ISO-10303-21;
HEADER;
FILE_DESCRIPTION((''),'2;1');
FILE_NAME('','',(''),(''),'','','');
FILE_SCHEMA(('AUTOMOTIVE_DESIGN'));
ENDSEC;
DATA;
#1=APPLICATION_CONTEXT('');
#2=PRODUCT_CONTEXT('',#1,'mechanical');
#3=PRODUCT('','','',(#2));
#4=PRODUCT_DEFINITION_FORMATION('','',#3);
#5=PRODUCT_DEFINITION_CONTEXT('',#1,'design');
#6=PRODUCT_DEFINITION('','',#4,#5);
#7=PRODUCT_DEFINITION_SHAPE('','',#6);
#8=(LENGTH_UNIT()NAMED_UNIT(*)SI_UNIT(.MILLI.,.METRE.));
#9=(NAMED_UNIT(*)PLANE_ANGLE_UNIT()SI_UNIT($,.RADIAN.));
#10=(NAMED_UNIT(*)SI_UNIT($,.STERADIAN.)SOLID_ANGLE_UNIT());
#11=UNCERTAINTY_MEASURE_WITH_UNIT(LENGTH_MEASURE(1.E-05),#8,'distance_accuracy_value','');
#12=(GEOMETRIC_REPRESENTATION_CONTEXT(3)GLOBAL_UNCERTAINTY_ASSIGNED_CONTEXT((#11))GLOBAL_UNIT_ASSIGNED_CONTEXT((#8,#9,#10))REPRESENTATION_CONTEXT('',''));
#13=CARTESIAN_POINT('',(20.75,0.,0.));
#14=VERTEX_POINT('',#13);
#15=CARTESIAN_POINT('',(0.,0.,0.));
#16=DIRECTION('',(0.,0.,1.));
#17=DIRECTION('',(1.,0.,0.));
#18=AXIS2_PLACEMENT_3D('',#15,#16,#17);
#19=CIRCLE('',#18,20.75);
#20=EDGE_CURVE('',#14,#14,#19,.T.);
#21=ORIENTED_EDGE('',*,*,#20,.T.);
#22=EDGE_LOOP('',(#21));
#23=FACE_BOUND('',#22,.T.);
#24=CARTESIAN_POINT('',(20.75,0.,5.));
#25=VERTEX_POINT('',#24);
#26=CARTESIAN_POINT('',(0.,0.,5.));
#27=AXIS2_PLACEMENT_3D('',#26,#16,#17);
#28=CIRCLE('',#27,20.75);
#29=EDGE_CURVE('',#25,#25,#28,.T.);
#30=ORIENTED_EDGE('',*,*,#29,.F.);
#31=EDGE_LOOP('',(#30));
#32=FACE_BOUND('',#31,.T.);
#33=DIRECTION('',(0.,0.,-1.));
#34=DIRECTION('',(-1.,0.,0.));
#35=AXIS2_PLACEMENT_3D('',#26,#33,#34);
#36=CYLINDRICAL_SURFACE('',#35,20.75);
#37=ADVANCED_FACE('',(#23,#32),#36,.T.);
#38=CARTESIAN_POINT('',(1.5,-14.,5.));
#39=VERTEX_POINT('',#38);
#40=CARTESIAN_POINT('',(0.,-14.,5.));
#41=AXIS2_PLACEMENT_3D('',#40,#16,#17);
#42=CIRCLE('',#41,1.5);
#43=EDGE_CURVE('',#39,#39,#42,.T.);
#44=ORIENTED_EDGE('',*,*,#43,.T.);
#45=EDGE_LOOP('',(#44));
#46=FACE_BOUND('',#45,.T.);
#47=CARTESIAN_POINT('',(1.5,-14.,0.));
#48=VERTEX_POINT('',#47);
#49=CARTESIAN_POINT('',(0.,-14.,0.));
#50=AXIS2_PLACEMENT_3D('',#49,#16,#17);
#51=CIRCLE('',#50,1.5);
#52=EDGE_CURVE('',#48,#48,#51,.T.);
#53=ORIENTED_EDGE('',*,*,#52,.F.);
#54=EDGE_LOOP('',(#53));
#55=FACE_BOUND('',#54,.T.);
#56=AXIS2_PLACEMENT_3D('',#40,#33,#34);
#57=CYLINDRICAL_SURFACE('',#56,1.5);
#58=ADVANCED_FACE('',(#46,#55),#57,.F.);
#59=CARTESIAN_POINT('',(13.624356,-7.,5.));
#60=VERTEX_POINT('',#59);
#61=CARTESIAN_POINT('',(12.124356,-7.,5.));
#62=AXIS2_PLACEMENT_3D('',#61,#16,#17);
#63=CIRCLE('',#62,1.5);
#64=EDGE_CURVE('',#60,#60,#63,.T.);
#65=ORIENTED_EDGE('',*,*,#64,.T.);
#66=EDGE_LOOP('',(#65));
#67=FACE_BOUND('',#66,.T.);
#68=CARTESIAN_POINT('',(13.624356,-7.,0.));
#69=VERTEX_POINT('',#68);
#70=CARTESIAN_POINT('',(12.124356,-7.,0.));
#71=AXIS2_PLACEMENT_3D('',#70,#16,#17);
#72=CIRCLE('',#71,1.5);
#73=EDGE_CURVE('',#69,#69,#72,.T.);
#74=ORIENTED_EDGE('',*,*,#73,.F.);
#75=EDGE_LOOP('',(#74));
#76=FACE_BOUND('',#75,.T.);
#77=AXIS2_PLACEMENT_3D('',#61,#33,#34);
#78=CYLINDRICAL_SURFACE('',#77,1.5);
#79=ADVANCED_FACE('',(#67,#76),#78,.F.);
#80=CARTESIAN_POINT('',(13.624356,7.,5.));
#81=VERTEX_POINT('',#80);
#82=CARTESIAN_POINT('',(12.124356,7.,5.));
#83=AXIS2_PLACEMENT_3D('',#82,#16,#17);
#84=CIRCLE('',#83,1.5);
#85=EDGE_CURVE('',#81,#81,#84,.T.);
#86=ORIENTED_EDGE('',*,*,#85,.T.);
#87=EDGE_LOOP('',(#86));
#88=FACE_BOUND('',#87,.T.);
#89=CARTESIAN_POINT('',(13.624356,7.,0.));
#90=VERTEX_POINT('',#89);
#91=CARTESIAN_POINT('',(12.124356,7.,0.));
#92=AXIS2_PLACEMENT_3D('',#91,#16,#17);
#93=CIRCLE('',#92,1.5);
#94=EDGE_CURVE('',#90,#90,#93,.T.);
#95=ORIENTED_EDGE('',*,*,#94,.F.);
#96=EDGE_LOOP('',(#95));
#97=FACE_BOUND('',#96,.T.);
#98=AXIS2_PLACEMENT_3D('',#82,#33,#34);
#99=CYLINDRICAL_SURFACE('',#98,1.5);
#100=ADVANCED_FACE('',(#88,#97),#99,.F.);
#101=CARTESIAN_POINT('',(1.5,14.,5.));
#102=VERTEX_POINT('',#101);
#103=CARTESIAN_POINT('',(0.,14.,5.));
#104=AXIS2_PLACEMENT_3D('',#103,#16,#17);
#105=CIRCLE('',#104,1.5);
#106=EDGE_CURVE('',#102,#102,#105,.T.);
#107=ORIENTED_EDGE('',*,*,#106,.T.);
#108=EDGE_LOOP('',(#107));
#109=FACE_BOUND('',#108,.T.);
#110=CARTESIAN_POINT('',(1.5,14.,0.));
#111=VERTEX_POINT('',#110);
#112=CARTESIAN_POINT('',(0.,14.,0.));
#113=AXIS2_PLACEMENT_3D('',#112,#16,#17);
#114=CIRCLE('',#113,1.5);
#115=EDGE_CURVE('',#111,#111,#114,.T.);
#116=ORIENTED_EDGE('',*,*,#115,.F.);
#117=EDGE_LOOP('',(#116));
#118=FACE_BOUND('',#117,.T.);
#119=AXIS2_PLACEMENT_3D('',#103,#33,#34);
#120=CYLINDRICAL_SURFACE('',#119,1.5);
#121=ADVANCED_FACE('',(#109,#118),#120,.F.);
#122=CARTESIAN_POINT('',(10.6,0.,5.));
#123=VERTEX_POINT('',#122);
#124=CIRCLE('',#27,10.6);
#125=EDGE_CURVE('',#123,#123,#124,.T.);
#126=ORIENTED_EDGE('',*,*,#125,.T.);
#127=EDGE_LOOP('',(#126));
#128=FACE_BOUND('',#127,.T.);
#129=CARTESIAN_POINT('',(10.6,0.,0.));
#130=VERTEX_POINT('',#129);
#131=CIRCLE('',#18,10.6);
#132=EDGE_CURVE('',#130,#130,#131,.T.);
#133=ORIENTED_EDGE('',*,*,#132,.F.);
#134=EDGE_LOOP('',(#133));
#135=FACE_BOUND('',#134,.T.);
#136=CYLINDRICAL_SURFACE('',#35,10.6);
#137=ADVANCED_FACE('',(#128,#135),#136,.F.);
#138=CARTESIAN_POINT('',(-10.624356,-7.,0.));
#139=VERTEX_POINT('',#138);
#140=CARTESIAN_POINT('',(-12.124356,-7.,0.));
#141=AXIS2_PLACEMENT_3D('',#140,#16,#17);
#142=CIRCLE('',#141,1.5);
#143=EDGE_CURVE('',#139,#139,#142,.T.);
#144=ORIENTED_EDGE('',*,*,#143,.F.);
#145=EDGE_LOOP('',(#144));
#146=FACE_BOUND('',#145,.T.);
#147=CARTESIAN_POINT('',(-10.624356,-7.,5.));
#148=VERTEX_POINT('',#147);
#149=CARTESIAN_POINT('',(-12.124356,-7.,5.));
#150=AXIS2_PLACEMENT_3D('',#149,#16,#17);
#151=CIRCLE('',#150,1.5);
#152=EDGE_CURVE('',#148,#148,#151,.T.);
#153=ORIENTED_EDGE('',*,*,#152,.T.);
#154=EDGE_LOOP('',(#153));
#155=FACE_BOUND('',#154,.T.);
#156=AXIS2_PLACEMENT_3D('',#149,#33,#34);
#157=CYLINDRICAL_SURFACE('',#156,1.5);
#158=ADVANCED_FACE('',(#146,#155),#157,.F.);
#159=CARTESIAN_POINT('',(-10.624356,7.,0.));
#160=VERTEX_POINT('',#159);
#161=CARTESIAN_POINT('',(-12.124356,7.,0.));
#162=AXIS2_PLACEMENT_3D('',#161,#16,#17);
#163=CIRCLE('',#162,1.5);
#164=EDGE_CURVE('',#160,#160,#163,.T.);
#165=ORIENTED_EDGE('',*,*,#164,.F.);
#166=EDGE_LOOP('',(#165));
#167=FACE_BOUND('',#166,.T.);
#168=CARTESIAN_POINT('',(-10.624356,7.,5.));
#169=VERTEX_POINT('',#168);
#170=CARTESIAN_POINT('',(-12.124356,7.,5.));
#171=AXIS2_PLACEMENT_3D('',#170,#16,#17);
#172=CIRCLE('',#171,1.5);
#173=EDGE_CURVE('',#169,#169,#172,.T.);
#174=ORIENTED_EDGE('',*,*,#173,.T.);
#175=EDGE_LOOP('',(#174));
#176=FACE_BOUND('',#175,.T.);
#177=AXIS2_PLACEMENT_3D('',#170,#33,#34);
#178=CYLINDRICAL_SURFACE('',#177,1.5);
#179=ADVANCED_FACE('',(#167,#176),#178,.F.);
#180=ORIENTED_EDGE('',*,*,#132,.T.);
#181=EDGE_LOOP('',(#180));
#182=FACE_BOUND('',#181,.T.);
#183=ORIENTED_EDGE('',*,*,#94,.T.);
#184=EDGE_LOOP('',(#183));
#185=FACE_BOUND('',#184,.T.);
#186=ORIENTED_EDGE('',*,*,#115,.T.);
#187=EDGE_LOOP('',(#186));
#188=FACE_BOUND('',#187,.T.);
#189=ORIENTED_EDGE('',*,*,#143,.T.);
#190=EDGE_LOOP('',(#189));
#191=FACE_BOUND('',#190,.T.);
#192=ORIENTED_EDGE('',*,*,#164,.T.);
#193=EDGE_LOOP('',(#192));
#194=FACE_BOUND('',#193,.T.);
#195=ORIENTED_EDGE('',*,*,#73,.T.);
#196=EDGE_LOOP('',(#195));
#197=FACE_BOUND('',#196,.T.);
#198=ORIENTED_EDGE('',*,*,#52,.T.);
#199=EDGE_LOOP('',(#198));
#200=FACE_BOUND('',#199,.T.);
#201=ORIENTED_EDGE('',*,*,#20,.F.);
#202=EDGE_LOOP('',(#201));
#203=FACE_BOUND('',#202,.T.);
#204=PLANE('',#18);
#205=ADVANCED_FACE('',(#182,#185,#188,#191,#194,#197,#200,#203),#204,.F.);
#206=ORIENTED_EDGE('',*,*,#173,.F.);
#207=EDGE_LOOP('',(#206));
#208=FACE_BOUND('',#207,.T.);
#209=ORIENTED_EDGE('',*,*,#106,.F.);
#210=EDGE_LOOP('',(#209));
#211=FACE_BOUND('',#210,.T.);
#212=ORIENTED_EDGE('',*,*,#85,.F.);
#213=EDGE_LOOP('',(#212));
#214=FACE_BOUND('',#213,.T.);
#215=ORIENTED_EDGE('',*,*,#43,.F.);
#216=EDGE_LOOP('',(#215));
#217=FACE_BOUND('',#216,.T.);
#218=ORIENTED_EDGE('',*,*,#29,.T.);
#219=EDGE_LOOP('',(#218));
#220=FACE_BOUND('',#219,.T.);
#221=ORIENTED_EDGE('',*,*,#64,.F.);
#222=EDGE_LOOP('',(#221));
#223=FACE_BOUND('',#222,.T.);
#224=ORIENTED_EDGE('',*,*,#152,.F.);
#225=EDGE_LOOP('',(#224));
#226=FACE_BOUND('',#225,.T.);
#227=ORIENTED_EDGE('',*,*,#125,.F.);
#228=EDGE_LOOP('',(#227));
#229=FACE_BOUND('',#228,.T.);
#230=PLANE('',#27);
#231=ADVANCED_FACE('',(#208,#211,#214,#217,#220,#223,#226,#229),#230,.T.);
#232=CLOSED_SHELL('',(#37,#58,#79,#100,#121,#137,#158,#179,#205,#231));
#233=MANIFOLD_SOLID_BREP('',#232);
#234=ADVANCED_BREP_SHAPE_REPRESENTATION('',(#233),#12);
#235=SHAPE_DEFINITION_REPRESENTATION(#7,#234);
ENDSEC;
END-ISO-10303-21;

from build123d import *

# Parameters (mm, degrees)
SKETCH_1_R      = 20.75
EXTRUDE_1_DEPTH = 5


with BuildPart() as part:
    # 草图1 → 凸台-拉伸1 (new body)
    with BuildSketch(Plane.XY):
        Circle(SKETCH_1_R)
        with BuildLine():
            ThreePointArc((-12.124355653, 5.5), (-10.624355653, 7), (-12.124355653, 8.5))
            ThreePointArc((-12.124355653, 8.5), (-13.624355653, 7), (-12.124355653, 5.5))
        make_face(mode=Mode.SUBTRACT)
        with BuildLine():
            ThreePointArc((-12.124355653, -8.5), (-10.624355653, -7), (-12.124355653, -5.5))
            ThreePointArc((-12.124355653, -5.5), (-13.624355653, -7), (-12.124355653, -8.5))
        make_face(mode=Mode.SUBTRACT)
        with BuildLine():
            ThreePointArc((0, -15.5), (1.5, -14), (0, -12.5))
            ThreePointArc((0, -12.5), (-1.5, -14), (0, -15.5))
        make_face(mode=Mode.SUBTRACT)
        with BuildLine():
            ThreePointArc((12.124355653, -8.5), (13.624355653, -7), (12.124355653, -5.5))
            ThreePointArc((12.124355653, -5.5), (10.624355653, -7), (12.124355653, -8.5))
        make_face(mode=Mode.SUBTRACT)
        with BuildLine():
            ThreePointArc((12.124355653, 5.5), (13.624355653, 7), (12.124355653, 8.5))
            ThreePointArc((12.124355653, 8.5), (10.624355653, 7), (12.124355653, 5.5))
        make_face(mode=Mode.SUBTRACT)
        with BuildLine():
            ThreePointArc((0, 12.5), (1.5, 14), (0, 15.5))
            ThreePointArc((0, 15.5), (-1.5, 14), (0, 12.5))
        make_face(mode=Mode.SUBTRACT)
        with BuildLine():
            ThreePointArc((10.6, 0), (7.495331881, 7.495331881), (0, 10.6))
            ThreePointArc((0, 10.6), (-7.495331881, 7.495331881), (-10.6, 0))
            ThreePointArc((-10.6, 0), (0, -10.6), (10.6, 0))
        make_face(mode=Mode.SUBTRACT)
    extrude(amount=EXTRUDE_1_DEPTH)


solid = part.part
